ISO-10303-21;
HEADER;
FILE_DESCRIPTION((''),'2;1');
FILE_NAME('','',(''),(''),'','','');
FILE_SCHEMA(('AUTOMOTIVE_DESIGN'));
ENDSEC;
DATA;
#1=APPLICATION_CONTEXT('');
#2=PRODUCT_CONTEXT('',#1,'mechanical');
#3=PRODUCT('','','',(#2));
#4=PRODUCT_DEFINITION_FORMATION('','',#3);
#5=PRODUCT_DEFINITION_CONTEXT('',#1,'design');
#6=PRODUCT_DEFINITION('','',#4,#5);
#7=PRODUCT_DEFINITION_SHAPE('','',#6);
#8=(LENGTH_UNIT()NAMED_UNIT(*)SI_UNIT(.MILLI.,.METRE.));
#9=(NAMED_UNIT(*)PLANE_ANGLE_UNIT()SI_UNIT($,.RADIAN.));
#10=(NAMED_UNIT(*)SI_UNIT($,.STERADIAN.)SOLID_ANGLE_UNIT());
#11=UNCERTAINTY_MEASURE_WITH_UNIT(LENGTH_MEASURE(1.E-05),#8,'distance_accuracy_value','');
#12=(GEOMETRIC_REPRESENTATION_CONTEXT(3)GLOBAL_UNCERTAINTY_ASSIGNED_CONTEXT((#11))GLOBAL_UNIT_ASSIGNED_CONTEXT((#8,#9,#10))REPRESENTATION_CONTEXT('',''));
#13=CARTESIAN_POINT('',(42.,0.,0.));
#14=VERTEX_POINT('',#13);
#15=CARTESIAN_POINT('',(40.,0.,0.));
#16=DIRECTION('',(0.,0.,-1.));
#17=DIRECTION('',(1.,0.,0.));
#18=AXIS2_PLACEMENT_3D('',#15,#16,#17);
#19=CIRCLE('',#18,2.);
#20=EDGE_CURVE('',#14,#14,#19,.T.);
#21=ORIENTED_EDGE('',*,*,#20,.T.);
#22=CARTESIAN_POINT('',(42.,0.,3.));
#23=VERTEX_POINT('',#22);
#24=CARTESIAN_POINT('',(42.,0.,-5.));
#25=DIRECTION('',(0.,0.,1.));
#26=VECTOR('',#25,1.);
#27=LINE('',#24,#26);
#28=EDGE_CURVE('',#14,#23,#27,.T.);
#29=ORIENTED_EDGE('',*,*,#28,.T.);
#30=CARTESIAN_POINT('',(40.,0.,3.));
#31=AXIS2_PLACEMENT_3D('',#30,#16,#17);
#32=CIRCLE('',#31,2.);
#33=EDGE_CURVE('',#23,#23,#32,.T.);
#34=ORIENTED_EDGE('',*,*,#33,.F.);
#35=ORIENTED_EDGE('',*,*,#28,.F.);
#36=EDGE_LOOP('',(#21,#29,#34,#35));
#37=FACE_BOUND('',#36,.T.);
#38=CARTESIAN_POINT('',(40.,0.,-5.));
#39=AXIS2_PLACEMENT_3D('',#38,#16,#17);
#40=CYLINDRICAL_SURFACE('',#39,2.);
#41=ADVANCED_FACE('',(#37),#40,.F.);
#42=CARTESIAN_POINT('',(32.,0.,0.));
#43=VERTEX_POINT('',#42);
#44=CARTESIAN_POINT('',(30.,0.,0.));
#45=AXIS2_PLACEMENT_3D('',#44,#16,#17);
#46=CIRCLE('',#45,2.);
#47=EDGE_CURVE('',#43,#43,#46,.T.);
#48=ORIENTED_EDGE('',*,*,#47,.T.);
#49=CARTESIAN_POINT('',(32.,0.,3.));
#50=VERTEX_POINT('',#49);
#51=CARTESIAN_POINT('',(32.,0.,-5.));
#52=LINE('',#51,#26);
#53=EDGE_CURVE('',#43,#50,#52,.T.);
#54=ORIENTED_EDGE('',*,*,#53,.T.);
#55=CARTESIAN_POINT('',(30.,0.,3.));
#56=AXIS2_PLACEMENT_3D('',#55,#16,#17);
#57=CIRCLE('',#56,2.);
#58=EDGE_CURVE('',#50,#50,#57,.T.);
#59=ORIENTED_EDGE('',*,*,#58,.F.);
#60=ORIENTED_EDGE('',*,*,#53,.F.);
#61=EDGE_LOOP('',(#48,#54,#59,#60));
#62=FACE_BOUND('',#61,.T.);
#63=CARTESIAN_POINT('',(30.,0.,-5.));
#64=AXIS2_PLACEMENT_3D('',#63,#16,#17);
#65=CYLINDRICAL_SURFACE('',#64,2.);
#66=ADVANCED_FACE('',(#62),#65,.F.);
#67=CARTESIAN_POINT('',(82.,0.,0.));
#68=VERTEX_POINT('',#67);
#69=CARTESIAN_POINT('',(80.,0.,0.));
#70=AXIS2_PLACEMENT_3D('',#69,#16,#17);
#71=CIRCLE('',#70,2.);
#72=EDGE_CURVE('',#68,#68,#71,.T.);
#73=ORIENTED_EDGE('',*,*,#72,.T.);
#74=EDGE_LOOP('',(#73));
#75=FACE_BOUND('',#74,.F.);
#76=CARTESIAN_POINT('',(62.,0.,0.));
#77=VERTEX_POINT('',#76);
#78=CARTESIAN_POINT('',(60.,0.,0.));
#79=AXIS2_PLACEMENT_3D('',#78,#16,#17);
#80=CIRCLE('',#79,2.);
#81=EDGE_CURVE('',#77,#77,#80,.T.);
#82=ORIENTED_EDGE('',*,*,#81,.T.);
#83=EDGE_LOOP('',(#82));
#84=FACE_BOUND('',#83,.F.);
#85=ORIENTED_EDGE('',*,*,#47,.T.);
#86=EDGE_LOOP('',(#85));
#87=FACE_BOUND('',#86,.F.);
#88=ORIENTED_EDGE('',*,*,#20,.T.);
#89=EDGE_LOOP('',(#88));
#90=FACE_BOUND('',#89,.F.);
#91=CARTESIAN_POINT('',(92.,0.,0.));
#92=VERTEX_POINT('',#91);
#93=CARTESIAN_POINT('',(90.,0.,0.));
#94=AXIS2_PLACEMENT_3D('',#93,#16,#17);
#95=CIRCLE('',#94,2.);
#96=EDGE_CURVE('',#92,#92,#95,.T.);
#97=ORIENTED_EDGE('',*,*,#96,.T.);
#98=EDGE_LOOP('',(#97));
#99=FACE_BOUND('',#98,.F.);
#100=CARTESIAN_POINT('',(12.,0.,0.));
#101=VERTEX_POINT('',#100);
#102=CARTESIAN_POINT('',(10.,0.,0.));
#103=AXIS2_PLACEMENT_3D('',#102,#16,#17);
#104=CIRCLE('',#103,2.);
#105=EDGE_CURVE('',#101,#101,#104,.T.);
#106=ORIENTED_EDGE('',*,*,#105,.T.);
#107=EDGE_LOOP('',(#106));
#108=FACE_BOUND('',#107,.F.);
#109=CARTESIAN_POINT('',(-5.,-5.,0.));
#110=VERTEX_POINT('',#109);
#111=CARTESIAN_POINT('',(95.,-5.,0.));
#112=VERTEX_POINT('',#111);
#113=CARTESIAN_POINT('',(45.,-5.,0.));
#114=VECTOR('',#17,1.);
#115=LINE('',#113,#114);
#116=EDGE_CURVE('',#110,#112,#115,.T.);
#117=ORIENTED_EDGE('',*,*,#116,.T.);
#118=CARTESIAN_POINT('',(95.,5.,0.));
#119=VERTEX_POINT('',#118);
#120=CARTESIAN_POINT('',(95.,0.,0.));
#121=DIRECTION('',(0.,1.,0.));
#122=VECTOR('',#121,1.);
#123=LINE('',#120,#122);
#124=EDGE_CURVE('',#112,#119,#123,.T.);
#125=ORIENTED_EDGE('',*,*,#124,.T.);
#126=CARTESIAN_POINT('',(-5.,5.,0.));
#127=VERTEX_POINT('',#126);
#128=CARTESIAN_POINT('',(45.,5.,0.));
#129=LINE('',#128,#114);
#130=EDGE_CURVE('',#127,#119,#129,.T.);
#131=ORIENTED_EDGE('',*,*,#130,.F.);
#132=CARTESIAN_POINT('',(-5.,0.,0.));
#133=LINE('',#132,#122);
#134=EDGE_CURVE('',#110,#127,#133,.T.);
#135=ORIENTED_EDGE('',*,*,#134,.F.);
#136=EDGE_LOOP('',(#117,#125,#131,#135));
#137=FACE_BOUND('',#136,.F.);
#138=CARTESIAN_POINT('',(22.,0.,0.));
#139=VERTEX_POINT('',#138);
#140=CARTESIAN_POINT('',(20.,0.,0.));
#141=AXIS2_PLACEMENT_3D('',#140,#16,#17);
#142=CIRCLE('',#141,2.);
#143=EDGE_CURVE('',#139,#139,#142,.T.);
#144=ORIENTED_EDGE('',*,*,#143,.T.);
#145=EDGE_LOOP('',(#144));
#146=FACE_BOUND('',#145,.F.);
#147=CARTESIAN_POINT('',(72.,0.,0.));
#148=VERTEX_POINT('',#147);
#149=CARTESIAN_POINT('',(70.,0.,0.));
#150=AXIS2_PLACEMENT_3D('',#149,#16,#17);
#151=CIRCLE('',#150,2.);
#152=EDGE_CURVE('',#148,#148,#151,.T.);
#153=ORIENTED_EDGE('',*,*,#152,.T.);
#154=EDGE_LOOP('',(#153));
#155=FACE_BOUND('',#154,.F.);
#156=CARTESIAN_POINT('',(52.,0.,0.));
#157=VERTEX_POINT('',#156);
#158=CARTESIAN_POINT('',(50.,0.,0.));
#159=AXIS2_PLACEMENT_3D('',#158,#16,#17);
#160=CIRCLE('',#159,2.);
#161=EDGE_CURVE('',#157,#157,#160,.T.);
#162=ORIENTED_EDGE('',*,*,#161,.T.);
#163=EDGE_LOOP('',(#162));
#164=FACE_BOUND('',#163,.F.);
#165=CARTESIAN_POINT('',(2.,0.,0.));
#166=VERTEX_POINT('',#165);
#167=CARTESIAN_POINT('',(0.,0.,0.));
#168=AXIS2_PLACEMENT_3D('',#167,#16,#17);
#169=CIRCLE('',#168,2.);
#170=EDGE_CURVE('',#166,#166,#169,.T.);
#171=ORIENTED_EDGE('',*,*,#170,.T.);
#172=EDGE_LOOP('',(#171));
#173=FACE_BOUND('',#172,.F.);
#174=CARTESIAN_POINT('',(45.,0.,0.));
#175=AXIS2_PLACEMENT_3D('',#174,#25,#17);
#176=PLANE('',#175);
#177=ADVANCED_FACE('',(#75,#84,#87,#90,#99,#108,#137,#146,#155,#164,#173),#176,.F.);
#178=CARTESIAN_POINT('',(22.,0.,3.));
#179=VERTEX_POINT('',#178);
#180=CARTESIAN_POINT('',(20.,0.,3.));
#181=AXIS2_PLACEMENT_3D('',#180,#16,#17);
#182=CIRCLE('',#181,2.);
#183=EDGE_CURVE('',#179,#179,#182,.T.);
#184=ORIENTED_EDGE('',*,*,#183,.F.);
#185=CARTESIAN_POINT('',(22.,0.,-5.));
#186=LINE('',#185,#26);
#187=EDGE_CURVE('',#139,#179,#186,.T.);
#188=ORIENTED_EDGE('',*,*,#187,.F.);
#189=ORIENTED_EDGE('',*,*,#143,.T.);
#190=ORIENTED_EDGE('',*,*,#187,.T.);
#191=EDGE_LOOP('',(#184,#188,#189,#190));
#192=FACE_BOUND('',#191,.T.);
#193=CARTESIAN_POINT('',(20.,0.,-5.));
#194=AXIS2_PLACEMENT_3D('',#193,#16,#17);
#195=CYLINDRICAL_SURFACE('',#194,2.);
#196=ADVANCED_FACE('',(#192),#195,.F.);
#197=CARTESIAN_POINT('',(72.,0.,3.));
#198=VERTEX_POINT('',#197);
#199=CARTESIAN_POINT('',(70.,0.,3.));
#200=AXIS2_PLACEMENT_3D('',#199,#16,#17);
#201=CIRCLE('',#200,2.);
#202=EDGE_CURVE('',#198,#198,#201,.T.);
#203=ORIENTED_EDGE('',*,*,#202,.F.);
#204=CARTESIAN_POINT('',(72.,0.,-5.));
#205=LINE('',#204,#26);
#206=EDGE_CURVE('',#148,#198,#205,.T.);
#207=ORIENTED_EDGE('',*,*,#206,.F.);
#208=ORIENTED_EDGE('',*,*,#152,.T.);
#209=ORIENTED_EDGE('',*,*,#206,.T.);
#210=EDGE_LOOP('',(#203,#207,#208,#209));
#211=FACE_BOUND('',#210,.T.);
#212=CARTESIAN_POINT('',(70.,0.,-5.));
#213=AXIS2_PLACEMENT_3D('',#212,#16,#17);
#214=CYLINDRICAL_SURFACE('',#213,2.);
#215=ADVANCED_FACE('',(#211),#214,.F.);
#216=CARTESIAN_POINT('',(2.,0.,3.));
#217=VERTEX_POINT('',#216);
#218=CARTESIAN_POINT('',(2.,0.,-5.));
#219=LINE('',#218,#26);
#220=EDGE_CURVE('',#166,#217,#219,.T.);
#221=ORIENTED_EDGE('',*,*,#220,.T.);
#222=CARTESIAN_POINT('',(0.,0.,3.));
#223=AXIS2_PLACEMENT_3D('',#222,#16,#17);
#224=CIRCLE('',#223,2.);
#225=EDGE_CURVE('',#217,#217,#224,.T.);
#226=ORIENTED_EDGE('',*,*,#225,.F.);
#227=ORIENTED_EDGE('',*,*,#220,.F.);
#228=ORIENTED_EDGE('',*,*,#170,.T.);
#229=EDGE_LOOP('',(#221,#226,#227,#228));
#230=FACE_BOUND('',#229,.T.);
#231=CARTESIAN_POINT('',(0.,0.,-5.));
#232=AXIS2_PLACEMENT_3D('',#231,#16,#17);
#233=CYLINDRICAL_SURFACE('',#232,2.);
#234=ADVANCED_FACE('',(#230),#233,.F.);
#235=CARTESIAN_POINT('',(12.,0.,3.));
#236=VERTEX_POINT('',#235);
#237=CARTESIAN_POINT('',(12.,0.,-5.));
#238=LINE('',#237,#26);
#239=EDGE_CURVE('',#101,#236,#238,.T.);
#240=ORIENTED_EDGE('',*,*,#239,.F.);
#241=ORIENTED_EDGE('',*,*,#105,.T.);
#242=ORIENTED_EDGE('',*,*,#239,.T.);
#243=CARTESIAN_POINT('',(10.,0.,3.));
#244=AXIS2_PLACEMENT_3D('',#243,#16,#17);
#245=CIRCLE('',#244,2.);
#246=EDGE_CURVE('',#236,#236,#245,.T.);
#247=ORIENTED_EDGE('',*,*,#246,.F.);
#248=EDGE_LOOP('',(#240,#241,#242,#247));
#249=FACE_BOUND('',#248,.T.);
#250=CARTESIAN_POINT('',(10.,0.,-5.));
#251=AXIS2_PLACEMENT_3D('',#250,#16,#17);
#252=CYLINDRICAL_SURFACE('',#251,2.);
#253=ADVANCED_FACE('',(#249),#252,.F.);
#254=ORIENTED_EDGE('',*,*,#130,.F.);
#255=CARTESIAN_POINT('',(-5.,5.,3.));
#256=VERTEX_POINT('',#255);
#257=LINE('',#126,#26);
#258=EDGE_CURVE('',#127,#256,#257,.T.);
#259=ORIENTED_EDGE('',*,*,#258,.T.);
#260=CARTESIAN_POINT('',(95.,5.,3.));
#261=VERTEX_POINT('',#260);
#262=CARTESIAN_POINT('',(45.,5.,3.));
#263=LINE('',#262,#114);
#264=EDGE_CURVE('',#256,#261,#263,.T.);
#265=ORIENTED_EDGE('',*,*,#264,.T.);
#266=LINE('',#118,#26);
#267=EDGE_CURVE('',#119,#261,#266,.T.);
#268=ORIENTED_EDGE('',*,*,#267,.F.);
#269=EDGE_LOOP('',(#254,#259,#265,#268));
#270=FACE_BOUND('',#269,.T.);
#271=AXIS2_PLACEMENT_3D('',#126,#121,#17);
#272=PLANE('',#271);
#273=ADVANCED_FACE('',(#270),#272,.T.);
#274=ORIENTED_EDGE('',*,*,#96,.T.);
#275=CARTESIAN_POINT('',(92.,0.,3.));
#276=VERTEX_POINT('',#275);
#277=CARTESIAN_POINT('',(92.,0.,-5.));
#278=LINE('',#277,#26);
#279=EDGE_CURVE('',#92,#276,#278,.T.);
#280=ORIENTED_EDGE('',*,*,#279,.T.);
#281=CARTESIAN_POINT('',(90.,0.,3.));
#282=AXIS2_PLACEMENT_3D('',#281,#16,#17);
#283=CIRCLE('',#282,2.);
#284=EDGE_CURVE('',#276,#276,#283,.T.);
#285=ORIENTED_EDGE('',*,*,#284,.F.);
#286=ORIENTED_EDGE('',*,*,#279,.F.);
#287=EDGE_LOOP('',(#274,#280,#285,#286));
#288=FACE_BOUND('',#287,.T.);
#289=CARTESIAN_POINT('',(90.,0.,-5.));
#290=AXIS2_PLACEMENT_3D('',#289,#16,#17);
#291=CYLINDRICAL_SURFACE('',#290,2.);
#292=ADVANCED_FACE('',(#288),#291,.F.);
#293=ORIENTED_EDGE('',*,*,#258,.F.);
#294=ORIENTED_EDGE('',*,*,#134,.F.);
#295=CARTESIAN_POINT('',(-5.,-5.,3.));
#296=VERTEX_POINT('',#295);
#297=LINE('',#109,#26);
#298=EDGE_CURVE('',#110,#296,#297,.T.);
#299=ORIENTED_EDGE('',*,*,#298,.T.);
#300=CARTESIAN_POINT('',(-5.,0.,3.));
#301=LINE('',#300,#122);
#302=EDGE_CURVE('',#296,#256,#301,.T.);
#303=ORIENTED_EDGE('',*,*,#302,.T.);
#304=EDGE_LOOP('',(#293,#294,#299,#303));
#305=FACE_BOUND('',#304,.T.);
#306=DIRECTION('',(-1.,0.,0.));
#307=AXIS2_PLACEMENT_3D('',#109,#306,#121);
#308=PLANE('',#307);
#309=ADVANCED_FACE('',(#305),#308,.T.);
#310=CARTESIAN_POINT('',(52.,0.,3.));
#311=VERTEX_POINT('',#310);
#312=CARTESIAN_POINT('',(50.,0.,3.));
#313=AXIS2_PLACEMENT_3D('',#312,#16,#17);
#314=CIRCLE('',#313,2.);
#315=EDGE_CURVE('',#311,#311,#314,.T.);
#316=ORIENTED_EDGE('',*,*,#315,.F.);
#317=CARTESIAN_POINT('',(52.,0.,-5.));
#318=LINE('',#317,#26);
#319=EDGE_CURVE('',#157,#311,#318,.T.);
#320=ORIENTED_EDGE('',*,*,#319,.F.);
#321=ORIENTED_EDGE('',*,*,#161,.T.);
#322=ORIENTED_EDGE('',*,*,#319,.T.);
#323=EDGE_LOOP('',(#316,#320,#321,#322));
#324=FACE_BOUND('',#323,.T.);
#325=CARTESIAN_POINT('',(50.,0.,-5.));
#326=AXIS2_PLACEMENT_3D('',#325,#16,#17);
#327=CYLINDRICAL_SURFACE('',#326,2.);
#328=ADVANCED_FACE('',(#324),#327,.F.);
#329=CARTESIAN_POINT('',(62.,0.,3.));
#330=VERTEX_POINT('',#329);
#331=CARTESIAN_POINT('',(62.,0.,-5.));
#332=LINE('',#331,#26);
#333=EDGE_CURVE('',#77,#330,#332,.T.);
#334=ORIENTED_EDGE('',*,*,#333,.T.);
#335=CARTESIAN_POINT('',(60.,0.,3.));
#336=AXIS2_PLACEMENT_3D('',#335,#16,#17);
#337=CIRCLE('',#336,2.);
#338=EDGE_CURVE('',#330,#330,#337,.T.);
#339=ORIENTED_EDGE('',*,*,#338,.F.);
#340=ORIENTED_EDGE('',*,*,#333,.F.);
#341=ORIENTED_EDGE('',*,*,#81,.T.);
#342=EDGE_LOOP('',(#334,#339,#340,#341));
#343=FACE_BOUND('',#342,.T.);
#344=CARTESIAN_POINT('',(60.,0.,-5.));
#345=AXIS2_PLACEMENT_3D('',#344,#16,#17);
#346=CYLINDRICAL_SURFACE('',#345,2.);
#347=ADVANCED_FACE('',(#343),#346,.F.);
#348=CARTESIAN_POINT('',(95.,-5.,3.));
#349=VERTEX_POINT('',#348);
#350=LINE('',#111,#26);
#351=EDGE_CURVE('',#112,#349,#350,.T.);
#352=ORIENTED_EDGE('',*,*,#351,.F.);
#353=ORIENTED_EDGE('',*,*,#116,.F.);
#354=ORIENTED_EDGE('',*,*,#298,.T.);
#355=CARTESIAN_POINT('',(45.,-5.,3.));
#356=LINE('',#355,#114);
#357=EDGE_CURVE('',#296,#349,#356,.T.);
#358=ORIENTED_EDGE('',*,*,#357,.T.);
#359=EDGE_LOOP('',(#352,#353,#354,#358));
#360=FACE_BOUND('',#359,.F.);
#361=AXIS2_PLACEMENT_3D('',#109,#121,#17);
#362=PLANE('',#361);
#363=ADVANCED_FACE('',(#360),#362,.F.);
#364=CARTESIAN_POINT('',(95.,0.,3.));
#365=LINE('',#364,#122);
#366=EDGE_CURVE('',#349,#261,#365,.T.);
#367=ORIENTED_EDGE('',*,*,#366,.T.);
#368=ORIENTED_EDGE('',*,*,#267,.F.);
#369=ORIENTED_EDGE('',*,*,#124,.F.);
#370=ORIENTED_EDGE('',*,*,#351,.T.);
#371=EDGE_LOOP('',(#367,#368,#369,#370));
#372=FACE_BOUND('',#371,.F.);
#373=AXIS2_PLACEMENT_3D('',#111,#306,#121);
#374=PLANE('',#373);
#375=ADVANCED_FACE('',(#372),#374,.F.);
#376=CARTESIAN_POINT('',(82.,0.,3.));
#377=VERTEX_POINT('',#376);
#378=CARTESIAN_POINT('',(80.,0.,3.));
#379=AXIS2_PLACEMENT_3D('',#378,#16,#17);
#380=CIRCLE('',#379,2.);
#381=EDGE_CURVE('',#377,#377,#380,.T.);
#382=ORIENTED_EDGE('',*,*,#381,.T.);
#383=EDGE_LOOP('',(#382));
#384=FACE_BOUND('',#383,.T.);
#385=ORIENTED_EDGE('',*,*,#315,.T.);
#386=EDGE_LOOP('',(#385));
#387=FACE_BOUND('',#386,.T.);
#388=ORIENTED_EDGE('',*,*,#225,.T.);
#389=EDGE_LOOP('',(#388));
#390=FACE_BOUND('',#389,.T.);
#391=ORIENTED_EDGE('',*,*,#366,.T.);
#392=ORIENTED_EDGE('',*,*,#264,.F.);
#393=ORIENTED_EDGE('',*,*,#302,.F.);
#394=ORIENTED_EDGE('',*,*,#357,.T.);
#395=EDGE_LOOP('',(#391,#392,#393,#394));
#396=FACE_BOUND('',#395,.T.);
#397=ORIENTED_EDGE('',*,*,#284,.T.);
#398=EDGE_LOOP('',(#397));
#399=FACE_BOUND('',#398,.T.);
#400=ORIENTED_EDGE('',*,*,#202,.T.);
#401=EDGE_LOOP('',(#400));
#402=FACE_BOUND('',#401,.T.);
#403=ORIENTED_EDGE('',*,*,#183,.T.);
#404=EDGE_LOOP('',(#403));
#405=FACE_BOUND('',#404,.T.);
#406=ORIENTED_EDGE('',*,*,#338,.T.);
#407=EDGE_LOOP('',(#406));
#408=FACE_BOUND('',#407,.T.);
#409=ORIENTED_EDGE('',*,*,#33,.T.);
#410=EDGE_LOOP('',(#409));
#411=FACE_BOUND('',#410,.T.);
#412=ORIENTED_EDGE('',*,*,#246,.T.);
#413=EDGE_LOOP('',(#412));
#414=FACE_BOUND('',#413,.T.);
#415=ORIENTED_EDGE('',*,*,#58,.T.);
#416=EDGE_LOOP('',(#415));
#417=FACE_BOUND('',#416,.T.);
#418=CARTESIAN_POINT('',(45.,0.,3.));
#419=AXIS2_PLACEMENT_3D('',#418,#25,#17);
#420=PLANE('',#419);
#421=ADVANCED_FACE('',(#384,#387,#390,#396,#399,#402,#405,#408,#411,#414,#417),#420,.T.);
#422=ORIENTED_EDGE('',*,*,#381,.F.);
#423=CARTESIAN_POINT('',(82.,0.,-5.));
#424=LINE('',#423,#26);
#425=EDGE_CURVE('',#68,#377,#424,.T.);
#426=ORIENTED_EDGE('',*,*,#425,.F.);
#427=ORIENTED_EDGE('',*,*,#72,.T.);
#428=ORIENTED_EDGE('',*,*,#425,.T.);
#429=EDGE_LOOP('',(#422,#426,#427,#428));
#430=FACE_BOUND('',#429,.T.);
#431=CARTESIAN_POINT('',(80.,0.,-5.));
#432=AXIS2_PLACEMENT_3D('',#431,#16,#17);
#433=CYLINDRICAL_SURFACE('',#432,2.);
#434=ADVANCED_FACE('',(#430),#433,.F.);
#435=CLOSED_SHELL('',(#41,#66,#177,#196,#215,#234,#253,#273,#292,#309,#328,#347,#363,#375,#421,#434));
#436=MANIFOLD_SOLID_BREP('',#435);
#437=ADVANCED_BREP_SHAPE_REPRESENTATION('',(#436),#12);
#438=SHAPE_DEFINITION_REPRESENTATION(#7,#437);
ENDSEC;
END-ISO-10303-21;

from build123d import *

# Parameters (mm, degrees)
CYLINDER_R     = 2
CYLINDER_DEPTH = 10
ARRAY_X_COUNT  = 10
ARRAY_X_PITCH  = 10
BOX_W          = 100
BOX_H          = 10
BOX_DEPTH      = 3


with BuildPart() as array:
    # Cylinder → Cylinder (new body)
    with BuildSketch(Plane.XY.offset(-5)):
        Circle(CYLINDER_R)
    extrude(amount=CYLINDER_DEPTH)

    # Array X: Array ×10


with BuildPart() as array_1:
    add(array.part)
    with Locations(*[(i * ARRAY_X_PITCH, 0, 0) for i in range(1, ARRAY_X_COUNT)]):
        add(array.part)


with BuildPart() as cut:
    # Box → Box (new body)
    with BuildSketch(Plane(origin=(-5, -5, 0), x_dir=(1, 0, 0), z_dir=(0, 0, 1))):
        with Locations((50, 5)):
            Rectangle(BOX_W, BOX_H)
    extrude(amount=BOX_DEPTH)

    # Cut: cut Array
    add(array_1.part, mode=Mode.SUBTRACT)


solid = cut.part
